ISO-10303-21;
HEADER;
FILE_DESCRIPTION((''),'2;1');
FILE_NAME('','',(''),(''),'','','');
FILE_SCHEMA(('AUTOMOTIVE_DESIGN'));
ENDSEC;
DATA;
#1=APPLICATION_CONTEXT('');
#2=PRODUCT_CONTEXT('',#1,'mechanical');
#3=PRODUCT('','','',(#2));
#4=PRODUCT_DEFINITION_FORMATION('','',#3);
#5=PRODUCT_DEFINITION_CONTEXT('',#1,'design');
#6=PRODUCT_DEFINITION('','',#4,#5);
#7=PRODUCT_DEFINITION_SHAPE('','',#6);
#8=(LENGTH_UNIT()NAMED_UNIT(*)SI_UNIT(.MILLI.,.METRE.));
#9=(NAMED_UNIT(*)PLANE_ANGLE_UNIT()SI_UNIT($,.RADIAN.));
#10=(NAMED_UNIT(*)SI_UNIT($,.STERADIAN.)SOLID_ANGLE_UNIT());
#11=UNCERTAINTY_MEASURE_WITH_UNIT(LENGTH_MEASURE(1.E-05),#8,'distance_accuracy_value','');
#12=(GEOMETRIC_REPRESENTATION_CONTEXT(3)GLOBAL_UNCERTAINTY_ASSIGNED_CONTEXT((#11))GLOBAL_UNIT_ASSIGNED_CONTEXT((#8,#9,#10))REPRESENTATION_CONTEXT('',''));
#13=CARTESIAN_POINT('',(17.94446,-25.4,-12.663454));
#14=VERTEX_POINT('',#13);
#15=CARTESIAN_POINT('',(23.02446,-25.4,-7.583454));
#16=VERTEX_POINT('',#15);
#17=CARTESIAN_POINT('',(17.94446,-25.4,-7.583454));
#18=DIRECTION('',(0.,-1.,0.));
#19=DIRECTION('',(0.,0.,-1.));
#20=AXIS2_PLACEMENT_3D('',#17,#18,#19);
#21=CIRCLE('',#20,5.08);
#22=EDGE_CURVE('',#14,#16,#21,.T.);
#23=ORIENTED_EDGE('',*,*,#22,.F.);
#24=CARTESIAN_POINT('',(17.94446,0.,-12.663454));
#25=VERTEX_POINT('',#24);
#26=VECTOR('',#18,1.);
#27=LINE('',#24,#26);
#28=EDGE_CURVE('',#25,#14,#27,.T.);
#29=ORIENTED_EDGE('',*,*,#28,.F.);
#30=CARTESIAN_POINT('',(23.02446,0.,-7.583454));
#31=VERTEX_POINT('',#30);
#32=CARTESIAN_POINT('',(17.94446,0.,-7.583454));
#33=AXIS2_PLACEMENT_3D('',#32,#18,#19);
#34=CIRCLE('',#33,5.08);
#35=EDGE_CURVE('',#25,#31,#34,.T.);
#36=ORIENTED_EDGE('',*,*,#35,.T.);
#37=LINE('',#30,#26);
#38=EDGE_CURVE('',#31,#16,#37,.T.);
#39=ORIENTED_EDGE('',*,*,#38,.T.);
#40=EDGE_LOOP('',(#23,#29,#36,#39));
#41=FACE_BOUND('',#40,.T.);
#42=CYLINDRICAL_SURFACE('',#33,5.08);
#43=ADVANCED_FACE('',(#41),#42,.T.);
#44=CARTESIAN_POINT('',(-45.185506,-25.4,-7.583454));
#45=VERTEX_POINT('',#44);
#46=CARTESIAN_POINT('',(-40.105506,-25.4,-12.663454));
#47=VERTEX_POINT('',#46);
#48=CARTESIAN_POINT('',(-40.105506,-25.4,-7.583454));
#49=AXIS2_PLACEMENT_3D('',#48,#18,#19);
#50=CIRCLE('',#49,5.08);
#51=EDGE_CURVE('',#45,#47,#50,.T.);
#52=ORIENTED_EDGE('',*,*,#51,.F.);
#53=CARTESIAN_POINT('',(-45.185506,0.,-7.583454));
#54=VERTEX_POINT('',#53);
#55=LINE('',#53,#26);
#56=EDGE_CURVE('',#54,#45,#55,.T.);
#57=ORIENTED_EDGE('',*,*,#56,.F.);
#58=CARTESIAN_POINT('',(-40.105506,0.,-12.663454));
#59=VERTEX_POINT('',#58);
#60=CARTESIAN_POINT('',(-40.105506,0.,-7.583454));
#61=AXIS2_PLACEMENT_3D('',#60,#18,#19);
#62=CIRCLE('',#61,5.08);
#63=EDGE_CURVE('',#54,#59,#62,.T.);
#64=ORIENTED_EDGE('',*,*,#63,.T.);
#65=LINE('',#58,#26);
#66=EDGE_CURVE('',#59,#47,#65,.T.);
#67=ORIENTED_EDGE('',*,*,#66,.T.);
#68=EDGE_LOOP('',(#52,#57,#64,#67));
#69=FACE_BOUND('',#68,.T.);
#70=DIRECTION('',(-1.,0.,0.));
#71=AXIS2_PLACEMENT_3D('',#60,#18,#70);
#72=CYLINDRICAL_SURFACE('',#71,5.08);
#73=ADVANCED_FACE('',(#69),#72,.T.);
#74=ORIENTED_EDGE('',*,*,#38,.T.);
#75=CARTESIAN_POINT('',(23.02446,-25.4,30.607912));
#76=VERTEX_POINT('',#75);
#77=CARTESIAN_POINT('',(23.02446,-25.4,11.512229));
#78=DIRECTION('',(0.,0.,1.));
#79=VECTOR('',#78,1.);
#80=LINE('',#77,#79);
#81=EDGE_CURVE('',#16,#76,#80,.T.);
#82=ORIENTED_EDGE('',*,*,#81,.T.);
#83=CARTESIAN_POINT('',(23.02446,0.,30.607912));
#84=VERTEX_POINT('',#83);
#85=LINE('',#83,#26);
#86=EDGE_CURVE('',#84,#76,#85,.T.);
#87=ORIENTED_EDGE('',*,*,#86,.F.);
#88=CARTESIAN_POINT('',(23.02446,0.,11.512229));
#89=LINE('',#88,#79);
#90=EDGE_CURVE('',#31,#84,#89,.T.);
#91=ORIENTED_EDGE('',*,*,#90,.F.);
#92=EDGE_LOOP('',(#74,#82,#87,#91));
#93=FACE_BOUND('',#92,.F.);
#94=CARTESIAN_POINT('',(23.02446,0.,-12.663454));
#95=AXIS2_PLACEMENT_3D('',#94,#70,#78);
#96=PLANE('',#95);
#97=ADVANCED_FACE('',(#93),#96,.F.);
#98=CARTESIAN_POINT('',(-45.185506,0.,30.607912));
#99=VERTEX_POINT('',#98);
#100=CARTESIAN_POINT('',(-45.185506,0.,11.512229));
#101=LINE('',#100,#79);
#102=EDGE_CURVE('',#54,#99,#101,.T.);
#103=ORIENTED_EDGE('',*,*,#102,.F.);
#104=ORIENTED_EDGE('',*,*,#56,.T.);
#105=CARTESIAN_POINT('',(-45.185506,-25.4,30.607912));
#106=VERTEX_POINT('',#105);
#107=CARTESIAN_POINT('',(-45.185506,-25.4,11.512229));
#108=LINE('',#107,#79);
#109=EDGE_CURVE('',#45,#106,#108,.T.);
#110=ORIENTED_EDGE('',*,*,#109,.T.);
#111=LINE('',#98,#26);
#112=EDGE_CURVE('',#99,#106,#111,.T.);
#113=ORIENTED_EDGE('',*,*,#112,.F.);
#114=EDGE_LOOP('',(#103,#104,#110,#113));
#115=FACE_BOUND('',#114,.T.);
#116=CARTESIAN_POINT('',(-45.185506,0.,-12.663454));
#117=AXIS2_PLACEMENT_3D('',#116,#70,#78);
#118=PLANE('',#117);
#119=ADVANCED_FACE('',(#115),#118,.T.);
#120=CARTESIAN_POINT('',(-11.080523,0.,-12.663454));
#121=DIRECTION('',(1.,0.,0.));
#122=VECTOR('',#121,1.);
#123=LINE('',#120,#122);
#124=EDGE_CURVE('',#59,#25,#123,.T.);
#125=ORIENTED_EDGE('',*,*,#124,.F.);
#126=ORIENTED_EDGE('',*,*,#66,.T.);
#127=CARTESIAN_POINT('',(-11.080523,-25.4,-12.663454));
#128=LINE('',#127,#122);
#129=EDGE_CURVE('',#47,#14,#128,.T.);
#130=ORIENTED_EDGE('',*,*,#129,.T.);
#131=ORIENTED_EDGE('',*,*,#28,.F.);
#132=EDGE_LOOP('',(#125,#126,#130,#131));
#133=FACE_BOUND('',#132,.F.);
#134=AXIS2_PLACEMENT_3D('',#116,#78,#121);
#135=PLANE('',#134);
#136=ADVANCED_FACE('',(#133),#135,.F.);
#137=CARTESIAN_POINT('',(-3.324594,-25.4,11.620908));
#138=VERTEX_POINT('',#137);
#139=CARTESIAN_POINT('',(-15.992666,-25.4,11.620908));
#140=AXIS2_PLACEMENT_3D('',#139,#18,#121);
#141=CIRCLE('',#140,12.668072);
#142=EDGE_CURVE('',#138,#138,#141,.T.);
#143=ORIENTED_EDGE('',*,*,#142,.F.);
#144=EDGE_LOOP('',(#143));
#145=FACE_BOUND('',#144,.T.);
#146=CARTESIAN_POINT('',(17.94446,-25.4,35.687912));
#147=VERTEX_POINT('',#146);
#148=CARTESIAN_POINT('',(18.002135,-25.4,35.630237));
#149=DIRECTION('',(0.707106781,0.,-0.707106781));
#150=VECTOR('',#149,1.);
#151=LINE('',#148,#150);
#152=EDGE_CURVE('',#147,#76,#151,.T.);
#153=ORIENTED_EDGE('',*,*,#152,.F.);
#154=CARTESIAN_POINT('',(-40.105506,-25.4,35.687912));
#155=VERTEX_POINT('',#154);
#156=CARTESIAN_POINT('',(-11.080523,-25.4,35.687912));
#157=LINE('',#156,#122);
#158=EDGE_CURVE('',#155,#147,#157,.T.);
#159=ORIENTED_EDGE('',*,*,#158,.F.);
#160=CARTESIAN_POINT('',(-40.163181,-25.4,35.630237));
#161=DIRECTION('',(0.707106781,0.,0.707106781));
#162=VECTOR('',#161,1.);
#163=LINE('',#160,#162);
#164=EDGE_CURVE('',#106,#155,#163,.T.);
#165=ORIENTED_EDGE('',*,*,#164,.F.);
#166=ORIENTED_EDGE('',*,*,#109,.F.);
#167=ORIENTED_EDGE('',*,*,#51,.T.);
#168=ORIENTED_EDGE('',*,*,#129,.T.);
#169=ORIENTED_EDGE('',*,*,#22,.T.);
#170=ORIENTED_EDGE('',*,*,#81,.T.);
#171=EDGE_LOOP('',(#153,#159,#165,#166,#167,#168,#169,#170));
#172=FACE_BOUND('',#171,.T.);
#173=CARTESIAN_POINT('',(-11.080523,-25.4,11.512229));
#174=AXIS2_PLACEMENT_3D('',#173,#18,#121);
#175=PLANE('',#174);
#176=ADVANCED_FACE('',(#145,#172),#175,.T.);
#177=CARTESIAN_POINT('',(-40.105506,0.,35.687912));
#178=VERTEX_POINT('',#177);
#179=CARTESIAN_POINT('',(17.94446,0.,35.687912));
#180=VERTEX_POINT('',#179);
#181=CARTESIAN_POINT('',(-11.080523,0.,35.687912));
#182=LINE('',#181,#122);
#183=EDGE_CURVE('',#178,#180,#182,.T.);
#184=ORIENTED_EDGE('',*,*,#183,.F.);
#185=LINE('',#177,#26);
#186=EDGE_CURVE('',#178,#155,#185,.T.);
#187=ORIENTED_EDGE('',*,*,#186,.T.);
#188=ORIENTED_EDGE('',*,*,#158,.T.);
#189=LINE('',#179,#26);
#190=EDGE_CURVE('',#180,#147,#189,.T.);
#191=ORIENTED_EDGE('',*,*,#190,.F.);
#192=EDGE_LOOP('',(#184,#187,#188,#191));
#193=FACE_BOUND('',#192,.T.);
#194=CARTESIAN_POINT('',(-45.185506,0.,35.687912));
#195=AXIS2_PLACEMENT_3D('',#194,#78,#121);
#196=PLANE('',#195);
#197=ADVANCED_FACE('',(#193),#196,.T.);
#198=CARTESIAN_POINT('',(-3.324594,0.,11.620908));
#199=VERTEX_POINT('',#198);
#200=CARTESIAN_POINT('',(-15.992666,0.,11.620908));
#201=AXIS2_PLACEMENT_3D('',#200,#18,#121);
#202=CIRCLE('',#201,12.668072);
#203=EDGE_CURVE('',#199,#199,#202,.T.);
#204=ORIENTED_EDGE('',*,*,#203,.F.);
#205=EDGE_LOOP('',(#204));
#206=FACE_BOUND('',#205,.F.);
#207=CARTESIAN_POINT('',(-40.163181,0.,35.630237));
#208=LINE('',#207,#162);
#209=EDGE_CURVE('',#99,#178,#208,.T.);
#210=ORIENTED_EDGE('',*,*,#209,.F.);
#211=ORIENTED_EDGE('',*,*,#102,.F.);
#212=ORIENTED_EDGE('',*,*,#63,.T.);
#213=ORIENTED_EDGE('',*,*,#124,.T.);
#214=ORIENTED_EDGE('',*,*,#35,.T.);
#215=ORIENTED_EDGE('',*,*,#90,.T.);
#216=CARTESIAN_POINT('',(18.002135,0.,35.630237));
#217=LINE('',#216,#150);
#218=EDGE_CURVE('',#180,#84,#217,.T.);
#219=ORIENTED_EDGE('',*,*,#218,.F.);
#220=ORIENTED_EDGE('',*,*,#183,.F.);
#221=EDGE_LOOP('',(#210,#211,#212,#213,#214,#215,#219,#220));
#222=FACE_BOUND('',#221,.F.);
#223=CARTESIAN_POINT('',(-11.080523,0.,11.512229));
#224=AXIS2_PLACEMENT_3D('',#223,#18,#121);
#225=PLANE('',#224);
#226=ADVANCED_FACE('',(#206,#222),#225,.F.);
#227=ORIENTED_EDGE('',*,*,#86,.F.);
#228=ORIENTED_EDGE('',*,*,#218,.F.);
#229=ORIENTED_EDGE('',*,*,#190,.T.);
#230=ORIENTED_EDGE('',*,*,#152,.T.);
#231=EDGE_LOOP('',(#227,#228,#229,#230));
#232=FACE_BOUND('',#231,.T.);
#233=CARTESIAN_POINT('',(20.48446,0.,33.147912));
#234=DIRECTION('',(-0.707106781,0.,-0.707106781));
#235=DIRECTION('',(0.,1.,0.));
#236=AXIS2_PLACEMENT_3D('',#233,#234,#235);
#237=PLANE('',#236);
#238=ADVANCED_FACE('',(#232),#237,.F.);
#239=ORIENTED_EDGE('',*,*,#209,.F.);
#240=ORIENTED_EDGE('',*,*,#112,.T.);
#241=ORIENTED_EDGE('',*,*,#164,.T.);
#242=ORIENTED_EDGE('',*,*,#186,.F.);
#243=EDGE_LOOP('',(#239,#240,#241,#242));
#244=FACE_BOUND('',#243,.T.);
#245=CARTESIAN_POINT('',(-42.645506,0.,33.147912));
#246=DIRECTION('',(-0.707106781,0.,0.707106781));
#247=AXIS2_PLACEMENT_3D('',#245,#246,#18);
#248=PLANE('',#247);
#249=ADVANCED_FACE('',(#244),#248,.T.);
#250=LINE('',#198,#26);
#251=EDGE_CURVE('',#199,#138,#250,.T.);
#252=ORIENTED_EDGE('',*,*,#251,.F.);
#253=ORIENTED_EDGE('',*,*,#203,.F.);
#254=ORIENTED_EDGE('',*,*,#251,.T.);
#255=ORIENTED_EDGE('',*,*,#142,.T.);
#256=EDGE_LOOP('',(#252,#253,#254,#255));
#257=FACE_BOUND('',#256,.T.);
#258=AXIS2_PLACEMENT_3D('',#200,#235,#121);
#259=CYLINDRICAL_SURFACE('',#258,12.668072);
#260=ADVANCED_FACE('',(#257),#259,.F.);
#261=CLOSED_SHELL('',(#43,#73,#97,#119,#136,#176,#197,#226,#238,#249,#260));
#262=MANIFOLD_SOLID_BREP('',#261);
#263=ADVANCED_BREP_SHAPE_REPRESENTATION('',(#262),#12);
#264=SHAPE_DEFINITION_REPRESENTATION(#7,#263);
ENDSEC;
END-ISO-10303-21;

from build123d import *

# Parameters (mm, degrees)
F0_W     = 68.209966
F0_H     = 48.351366
F0_R     = 12.668072
F1_DEPTH = 25.4
F2_SIZE2 = 5.08
F2_SIZE  = 5.08
F3_R     = 5.08


with BuildPart() as f1:
    # F0 (on Front) → F1 (new body)
    with BuildSketch(Plane.XZ):
        with Locations((-11.080523, 11.512229)):
            Rectangle(F0_W, F0_H)
        with Locations((-15.992666, 11.620908)):
            Circle(F0_R, mode=Mode.SUBTRACT)
    extrude(amount=F1_DEPTH)

    # F2
    f2_edges = [f1.edges().sort_by_distance(p)[0] for p in [
        (23.02446, -12.7, 35.687912),
        (-45.185506, -12.7, 35.687912),
    ]]
    chamfer(f2_edges, length=F2_SIZE, length2=F2_SIZE2)

    # F3
    f3_edges = [f1.edges().sort_by_distance(p)[0] for p in [
        (-45.185506, -12.7, -12.663454),
        (23.02446, -12.7, -12.663454),
    ]]
    fillet(f3_edges, radius=F3_R)


solid = f1.part
